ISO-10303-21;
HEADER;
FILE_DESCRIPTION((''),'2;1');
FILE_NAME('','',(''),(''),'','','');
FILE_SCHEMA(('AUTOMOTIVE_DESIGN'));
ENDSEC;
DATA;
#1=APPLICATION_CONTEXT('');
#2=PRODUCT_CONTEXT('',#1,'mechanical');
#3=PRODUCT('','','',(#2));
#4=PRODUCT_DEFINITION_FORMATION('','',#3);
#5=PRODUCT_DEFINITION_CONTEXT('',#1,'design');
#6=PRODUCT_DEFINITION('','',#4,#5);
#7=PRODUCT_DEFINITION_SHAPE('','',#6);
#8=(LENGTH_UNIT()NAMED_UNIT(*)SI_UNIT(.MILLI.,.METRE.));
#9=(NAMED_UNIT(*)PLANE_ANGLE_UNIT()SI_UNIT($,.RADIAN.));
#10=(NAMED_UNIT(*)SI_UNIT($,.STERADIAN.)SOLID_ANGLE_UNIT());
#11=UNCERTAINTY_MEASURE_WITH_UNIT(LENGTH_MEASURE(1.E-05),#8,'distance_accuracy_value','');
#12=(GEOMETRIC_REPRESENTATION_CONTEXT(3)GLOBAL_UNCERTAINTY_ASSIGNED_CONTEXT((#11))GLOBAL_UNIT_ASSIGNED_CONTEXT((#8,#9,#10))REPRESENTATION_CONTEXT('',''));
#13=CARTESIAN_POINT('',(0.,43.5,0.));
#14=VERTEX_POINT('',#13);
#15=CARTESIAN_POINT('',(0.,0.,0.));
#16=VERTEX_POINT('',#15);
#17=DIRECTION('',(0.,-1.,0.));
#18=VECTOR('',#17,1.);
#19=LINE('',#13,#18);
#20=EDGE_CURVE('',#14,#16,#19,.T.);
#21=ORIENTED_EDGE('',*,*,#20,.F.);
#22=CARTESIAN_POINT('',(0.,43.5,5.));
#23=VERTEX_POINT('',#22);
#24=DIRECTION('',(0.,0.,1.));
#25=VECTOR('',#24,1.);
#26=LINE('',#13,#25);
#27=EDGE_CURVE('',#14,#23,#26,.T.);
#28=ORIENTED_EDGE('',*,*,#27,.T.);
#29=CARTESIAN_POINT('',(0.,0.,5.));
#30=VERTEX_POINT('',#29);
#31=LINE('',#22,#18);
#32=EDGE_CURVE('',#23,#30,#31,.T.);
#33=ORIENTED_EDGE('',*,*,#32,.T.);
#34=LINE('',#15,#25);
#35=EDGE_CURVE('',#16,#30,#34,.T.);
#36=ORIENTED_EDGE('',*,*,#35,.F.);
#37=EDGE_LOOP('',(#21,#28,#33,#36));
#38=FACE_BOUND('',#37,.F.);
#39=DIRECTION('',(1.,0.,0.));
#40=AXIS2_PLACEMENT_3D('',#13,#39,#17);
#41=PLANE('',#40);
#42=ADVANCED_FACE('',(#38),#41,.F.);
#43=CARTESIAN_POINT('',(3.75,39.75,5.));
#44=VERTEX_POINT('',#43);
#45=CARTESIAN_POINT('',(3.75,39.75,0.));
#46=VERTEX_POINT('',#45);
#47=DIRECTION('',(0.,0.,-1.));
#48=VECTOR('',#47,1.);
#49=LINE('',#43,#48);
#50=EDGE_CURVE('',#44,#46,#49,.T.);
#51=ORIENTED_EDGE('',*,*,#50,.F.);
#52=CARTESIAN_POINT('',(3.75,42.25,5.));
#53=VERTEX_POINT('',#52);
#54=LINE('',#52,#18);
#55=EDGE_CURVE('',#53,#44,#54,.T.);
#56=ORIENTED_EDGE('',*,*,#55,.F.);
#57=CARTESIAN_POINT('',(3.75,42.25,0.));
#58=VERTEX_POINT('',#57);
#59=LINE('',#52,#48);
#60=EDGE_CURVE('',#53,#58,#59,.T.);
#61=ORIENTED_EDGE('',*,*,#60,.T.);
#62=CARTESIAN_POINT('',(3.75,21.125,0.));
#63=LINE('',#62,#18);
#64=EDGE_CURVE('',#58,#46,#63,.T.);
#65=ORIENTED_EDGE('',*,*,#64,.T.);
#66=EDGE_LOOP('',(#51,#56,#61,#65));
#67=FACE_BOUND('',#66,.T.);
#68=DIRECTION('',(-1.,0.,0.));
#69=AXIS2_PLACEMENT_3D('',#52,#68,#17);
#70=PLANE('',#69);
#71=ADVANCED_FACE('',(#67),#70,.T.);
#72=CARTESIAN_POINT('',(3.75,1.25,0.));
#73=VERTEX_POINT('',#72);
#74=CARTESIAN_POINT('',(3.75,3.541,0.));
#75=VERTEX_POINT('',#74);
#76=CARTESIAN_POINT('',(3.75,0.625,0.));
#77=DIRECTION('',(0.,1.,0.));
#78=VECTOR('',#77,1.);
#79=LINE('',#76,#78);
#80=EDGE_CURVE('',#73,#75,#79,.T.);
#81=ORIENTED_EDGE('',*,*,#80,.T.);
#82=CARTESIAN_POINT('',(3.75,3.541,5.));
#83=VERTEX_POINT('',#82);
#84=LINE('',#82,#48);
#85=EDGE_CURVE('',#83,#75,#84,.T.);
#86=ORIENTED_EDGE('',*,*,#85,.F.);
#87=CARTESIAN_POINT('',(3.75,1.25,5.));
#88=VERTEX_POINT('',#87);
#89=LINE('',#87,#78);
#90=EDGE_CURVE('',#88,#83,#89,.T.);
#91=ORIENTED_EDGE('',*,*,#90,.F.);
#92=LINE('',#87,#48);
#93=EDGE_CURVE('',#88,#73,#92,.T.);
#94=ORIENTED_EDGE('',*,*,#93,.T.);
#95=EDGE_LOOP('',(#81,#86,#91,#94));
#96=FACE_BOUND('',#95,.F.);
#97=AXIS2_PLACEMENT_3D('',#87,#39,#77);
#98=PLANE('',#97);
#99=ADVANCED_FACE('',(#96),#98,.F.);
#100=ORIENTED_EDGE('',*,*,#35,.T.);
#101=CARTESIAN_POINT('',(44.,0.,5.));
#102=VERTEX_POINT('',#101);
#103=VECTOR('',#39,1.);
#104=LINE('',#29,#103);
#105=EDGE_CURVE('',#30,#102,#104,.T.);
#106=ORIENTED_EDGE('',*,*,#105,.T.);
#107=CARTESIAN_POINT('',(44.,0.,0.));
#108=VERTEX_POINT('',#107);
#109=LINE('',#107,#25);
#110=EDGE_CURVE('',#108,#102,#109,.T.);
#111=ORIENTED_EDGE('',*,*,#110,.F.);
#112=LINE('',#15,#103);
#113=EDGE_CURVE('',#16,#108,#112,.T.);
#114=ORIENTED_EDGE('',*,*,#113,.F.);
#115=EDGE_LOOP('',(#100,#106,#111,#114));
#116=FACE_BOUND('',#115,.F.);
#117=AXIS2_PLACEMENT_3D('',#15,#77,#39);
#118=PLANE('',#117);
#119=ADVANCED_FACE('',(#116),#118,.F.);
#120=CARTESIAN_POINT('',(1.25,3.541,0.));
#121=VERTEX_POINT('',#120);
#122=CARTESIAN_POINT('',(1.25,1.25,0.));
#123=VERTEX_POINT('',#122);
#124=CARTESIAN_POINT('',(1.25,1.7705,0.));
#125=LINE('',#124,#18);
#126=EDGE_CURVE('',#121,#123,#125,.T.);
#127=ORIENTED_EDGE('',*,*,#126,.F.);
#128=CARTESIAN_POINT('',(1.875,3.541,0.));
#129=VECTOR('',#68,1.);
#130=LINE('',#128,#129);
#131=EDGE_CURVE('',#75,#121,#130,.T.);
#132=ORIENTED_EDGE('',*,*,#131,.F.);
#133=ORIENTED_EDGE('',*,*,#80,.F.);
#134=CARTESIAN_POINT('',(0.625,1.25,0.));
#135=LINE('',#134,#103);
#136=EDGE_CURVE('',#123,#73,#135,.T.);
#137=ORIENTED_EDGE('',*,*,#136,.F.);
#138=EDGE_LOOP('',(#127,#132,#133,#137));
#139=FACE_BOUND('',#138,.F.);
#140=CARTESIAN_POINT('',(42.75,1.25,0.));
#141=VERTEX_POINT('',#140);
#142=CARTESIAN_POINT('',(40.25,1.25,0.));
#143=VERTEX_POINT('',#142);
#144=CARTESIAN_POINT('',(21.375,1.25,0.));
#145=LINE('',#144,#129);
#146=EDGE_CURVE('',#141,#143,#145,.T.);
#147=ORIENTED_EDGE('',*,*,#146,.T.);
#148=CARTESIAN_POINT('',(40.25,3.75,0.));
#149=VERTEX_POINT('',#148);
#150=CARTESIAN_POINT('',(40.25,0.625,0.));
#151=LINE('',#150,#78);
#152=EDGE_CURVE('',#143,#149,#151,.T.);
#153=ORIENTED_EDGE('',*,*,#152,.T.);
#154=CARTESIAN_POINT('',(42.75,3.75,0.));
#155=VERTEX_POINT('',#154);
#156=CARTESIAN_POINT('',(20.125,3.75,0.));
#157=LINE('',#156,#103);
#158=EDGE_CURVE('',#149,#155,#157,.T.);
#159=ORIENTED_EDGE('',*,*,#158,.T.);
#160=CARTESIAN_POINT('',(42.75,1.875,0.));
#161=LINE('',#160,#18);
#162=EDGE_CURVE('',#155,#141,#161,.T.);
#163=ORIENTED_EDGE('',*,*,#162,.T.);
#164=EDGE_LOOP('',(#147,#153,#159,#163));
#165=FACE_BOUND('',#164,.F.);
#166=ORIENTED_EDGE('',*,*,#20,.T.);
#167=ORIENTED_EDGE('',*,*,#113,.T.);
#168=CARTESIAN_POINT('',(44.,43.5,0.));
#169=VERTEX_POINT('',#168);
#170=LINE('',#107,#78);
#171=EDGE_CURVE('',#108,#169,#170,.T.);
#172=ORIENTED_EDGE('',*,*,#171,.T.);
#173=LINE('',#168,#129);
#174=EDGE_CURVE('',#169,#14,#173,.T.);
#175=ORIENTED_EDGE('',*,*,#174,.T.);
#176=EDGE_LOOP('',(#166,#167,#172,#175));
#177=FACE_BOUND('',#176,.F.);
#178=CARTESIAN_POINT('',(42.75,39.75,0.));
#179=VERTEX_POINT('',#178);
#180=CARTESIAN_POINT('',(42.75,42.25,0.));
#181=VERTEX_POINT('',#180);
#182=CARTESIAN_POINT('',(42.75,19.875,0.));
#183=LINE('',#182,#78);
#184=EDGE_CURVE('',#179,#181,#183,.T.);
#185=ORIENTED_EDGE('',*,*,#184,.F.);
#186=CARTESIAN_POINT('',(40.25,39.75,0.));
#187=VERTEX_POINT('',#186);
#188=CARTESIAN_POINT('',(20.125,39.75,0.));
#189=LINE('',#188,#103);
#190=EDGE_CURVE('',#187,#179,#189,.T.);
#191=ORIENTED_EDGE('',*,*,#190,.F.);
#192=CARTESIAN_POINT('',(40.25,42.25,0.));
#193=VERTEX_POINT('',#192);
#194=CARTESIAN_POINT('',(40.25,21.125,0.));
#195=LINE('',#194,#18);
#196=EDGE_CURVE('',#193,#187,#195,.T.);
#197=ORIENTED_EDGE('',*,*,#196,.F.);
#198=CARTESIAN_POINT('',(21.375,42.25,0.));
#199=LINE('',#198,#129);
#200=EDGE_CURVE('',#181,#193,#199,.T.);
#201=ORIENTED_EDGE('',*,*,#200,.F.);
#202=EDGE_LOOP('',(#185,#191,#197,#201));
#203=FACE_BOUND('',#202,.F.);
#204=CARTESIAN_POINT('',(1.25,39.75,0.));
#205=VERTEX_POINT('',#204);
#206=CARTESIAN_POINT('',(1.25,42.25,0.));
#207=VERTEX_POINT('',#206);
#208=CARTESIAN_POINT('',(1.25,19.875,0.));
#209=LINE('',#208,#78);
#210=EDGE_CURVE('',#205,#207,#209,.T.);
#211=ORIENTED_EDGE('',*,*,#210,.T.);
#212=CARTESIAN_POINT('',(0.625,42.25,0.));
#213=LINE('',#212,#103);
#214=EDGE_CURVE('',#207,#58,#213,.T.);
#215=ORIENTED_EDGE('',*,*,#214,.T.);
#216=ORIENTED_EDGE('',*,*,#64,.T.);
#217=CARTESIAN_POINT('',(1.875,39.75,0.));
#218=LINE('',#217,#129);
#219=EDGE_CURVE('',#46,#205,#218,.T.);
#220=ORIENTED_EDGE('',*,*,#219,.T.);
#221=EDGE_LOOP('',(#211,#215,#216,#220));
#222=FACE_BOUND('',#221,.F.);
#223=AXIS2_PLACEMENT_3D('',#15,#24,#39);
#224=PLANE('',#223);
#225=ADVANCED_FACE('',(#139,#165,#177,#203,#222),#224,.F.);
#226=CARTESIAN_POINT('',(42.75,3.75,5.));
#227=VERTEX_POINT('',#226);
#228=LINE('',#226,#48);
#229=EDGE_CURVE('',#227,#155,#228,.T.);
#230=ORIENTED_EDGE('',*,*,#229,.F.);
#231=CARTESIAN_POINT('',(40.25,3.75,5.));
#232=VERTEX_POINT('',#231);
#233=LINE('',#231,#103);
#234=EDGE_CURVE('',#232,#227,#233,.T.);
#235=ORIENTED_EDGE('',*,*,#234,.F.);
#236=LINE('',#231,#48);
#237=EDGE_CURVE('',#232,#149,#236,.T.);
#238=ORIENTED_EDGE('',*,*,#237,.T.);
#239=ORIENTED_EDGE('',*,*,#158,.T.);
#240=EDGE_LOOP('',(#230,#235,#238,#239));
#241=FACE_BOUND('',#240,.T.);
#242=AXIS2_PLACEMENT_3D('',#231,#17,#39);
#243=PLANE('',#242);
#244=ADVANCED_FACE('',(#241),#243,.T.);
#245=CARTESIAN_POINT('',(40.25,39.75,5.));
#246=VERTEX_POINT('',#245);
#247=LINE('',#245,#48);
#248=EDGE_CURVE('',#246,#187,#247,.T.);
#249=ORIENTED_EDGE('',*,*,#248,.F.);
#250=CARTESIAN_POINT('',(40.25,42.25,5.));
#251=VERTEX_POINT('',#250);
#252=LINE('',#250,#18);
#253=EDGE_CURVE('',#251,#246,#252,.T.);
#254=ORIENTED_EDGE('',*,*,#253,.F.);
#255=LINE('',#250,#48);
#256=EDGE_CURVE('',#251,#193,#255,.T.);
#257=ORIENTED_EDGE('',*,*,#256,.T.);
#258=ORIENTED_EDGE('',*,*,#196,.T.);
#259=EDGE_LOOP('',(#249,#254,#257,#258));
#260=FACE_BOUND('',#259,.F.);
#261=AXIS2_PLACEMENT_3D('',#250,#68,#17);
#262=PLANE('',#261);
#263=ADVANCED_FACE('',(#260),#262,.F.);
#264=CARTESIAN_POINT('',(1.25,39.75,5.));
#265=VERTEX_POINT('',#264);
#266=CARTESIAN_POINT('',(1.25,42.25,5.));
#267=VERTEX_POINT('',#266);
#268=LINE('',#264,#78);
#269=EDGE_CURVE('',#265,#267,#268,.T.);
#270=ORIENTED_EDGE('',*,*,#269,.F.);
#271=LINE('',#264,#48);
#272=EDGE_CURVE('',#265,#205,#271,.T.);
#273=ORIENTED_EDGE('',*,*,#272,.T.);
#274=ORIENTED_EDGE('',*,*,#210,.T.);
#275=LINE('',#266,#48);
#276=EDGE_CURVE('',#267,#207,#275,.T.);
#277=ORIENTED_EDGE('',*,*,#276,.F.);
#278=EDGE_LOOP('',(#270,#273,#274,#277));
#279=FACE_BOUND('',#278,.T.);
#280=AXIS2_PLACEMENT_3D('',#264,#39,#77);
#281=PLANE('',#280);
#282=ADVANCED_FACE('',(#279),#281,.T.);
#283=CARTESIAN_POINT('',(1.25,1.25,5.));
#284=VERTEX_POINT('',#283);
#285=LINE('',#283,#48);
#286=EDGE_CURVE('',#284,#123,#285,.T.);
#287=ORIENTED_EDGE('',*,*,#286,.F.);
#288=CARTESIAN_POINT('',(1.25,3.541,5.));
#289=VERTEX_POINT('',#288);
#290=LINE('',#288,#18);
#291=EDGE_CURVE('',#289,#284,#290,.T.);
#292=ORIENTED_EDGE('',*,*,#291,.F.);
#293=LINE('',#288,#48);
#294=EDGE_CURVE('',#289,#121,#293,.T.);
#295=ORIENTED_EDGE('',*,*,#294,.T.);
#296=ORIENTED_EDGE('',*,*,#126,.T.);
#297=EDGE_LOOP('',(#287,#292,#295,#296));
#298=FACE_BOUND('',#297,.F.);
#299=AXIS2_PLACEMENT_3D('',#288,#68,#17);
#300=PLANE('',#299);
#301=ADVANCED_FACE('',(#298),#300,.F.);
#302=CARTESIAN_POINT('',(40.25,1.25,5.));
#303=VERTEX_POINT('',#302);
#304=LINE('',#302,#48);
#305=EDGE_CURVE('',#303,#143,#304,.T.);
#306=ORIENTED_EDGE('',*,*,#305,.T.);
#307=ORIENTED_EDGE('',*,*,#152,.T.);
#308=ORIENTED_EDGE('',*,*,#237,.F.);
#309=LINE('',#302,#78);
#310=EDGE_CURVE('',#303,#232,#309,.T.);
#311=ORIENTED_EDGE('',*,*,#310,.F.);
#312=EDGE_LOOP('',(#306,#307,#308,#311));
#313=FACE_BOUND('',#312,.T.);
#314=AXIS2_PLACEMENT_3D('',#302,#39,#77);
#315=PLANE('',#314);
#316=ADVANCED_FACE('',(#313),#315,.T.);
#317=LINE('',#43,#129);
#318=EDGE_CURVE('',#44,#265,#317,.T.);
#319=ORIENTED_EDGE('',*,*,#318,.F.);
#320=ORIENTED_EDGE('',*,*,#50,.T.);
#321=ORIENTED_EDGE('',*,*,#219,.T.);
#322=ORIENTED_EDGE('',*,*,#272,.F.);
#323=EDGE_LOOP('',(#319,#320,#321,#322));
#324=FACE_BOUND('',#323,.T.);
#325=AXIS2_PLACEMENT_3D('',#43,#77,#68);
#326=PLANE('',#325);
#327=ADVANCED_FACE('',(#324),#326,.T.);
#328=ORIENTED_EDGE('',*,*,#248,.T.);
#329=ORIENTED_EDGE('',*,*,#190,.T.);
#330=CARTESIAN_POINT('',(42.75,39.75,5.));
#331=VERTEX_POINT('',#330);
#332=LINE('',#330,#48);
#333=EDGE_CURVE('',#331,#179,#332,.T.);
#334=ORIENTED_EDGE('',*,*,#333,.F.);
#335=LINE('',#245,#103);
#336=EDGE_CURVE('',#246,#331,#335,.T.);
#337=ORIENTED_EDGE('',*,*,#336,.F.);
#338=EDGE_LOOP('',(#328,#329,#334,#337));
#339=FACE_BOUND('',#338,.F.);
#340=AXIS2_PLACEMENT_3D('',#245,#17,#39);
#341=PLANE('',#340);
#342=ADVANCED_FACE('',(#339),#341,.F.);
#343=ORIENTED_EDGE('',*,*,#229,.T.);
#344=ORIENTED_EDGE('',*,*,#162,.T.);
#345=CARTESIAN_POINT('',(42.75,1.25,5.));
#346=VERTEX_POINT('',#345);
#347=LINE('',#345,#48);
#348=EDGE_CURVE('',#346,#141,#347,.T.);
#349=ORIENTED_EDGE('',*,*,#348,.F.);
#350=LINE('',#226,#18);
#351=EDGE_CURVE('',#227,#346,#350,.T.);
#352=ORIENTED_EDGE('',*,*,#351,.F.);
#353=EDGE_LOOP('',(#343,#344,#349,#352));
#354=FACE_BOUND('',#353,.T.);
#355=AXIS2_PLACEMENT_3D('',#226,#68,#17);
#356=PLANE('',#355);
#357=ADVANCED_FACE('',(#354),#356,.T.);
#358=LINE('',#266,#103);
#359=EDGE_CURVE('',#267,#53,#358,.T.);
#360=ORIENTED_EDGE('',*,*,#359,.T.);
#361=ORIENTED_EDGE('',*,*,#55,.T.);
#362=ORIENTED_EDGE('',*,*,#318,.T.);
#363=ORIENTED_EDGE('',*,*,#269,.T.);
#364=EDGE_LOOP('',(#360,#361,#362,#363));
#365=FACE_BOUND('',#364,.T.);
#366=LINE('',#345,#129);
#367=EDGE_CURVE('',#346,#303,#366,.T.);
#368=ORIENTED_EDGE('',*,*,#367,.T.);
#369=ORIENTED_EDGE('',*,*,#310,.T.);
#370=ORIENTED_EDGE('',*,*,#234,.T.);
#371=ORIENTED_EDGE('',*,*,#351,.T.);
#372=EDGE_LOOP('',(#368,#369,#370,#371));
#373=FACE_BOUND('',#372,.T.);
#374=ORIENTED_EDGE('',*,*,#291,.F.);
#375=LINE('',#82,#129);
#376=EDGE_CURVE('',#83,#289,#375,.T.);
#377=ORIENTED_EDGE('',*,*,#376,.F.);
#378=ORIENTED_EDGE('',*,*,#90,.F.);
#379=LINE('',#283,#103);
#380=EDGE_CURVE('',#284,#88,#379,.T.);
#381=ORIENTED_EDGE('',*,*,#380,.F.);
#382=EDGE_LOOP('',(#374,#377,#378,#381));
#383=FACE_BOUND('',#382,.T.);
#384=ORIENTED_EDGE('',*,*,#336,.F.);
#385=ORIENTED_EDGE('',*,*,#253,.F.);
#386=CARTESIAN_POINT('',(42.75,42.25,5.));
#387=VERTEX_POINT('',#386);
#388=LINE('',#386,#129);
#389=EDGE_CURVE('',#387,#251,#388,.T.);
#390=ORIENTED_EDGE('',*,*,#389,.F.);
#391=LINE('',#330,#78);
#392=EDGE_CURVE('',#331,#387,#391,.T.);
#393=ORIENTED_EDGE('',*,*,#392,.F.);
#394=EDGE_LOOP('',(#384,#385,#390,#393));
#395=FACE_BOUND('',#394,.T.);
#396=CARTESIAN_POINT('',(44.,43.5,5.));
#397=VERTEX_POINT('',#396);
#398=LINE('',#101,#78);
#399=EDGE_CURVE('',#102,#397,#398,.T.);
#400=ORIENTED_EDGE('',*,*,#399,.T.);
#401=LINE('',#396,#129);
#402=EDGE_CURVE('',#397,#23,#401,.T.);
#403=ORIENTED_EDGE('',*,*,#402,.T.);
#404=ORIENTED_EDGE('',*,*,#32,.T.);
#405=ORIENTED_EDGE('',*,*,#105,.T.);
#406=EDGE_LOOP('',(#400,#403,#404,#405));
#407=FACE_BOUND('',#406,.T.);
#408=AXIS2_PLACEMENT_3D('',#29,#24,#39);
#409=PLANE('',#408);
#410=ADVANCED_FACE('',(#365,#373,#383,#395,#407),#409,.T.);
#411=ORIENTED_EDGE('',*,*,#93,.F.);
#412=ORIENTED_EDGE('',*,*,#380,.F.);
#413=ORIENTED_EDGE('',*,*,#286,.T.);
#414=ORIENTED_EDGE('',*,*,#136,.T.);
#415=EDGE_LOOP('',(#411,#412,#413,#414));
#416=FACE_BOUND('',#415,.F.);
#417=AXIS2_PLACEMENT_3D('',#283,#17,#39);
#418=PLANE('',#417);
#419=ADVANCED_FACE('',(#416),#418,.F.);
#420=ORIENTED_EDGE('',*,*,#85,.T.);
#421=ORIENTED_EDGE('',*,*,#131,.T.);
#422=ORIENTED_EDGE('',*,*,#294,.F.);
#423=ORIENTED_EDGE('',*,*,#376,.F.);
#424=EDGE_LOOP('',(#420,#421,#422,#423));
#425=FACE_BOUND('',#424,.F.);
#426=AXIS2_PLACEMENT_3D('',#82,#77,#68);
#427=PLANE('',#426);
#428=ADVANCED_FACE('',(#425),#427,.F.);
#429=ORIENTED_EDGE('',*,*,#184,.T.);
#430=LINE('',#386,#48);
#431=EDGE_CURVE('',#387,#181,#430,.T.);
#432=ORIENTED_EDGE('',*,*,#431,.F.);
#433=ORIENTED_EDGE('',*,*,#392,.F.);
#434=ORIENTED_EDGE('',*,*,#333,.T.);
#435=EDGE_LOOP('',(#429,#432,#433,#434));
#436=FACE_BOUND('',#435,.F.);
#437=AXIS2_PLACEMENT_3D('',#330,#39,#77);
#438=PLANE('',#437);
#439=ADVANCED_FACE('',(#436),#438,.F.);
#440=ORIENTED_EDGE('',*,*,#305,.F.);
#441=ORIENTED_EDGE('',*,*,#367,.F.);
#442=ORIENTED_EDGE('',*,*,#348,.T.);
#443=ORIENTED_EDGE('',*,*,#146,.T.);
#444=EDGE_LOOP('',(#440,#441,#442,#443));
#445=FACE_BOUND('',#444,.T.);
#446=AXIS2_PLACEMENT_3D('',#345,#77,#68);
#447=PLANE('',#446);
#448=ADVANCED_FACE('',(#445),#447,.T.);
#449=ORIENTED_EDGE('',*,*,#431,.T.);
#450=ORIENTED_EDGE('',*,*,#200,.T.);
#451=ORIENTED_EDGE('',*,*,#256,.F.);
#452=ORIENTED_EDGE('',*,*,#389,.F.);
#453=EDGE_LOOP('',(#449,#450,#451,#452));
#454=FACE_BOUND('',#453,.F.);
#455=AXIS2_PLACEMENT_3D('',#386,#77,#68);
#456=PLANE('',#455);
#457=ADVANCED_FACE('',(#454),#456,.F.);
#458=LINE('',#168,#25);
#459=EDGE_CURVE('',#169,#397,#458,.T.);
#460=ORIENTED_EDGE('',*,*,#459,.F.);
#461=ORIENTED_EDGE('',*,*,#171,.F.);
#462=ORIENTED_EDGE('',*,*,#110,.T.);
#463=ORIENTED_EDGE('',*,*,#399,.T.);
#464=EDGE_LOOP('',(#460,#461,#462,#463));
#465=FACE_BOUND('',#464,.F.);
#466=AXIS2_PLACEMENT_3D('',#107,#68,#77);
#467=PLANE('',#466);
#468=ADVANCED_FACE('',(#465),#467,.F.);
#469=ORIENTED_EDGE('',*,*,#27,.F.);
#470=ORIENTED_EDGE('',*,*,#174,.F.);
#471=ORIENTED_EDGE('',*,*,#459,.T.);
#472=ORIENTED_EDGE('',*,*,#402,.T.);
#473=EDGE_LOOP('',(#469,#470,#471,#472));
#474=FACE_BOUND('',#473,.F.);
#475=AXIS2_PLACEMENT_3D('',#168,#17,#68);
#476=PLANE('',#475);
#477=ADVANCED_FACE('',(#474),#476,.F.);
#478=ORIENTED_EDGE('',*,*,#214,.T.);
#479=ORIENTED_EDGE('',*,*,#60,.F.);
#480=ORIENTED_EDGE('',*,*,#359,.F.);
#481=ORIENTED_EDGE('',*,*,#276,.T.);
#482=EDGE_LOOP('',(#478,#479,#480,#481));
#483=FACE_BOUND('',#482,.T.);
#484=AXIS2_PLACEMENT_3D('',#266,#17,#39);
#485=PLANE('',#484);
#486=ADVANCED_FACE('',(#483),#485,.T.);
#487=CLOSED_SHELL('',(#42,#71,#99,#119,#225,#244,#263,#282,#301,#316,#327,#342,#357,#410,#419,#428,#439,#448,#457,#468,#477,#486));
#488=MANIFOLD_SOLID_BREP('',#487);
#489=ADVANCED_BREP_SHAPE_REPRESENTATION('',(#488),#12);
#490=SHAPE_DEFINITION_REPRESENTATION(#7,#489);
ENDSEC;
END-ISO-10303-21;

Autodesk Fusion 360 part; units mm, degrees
sketch "Sketch1" plane through (0, 0, 0) normal (0, 0, 1) x (1, 0, 0)
  line L0 (0, 0) -> (44, 0)
  line L1 (44, 0) -> (44, 43.5)
  line L2 (44, 43.5) -> (0, 43.5)
  line L3 (0, 43.5) -> (0, 0)
  dimension "d1" = 44
  dimension "d2" = 43.5
extrude "Extrude1" add sketch "Sketch1" along normal blind 5
sketch "Sketch2" plane through (0, 0, 5) normal (0, 0, 1) x (-1, 0, 0)
  line L0 (0, -43.5) -> (0, 0)
  line L1 (0, 0) -> (-44, 0)
  line L2 (-44, 0) -> (-44, -43.5)
  line L3 (-44, -43.5) -> (0, -43.5)
  line L4 (0, 0) -> (0, -1.25)
  line L5 (0, -1.25) -> (-1.25, -1.25)
  line L6 (-1.25, -1.25) -> (-3.75, -1.25)
  line L7 (-3.75, -1.25) -> (-3.75, -3.541)
  line L8 (-3.75, -3.541) -> (-1.25, -3.541)
  line L9 (-1.25, -3.541) -> (-1.25, -1.25)
  line L10 (-44, 0) -> (-42.75, 0)
  line L11 (-42.75, 0) -> (-42.75, -1.25)
  line L12 (-42.75, -1.25) -> (-40.25, -1.25)
  line L13 (-40.25, -1.25) -> (-40.25, -3.75)
  line L14 (-40.25, -3.75) -> (-42.75, -3.75)
  line L15 (-42.75, -3.75) -> (-42.75, -1.25)
  line L16 (0, -43.5) -> (-1.25, -43.5)
  line L17 (-1.25, -43.5) -> (-1.25, -42.25)
  line L18 (-1.25, -42.25) -> (-3.75, -42.25)
  line L19 (-3.75, -42.25) -> (-3.75, -39.75)
  line L20 (-3.75, -39.75) -> (-1.25, -39.75)
  line L21 (-1.25, -39.75) -> (-1.25, -42.25)
  line L22 (-44, -43.5) -> (-42.75, -43.5)
  line L23 (-42.75, -43.5) -> (-42.75, -42.25)
  line L24 (-42.75, -42.25) -> (-40.25, -42.25)
  line L25 (-40.25, -42.25) -> (-40.25, -39.75)
  line L26 (-40.25, -39.75) -> (-42.75, -39.75)
  line L27 (-42.75, -39.75) -> (-42.75, -42.25)
  dimension "d5" = 1.25
  dimension "d6" = 1.25
  dimension "d7" = 2.5
  dimension "d8" = 1.25
  dimension "d9" = 1.25
  dimension "d10" = 2.5
  dimension "d11" = 2.5
  dimension "d12" = 1.25
  dimension "d13" = 1.25
  dimension "d14" = 2.5
  dimension "d15" = 2.5
  dimension "d16" = 1.25
  dimension "d17" = 1.25
  dimension "d18" = 2.5
  dimension "d19" = 2.5
extrude "Extrude2" cut sketch "Sketch2" against normal blind 1000 contours L6 L7 L8 L9 | L12 L13 L14 L15 | L24 L25 L26 L27 | L18 L19 L20 L21
